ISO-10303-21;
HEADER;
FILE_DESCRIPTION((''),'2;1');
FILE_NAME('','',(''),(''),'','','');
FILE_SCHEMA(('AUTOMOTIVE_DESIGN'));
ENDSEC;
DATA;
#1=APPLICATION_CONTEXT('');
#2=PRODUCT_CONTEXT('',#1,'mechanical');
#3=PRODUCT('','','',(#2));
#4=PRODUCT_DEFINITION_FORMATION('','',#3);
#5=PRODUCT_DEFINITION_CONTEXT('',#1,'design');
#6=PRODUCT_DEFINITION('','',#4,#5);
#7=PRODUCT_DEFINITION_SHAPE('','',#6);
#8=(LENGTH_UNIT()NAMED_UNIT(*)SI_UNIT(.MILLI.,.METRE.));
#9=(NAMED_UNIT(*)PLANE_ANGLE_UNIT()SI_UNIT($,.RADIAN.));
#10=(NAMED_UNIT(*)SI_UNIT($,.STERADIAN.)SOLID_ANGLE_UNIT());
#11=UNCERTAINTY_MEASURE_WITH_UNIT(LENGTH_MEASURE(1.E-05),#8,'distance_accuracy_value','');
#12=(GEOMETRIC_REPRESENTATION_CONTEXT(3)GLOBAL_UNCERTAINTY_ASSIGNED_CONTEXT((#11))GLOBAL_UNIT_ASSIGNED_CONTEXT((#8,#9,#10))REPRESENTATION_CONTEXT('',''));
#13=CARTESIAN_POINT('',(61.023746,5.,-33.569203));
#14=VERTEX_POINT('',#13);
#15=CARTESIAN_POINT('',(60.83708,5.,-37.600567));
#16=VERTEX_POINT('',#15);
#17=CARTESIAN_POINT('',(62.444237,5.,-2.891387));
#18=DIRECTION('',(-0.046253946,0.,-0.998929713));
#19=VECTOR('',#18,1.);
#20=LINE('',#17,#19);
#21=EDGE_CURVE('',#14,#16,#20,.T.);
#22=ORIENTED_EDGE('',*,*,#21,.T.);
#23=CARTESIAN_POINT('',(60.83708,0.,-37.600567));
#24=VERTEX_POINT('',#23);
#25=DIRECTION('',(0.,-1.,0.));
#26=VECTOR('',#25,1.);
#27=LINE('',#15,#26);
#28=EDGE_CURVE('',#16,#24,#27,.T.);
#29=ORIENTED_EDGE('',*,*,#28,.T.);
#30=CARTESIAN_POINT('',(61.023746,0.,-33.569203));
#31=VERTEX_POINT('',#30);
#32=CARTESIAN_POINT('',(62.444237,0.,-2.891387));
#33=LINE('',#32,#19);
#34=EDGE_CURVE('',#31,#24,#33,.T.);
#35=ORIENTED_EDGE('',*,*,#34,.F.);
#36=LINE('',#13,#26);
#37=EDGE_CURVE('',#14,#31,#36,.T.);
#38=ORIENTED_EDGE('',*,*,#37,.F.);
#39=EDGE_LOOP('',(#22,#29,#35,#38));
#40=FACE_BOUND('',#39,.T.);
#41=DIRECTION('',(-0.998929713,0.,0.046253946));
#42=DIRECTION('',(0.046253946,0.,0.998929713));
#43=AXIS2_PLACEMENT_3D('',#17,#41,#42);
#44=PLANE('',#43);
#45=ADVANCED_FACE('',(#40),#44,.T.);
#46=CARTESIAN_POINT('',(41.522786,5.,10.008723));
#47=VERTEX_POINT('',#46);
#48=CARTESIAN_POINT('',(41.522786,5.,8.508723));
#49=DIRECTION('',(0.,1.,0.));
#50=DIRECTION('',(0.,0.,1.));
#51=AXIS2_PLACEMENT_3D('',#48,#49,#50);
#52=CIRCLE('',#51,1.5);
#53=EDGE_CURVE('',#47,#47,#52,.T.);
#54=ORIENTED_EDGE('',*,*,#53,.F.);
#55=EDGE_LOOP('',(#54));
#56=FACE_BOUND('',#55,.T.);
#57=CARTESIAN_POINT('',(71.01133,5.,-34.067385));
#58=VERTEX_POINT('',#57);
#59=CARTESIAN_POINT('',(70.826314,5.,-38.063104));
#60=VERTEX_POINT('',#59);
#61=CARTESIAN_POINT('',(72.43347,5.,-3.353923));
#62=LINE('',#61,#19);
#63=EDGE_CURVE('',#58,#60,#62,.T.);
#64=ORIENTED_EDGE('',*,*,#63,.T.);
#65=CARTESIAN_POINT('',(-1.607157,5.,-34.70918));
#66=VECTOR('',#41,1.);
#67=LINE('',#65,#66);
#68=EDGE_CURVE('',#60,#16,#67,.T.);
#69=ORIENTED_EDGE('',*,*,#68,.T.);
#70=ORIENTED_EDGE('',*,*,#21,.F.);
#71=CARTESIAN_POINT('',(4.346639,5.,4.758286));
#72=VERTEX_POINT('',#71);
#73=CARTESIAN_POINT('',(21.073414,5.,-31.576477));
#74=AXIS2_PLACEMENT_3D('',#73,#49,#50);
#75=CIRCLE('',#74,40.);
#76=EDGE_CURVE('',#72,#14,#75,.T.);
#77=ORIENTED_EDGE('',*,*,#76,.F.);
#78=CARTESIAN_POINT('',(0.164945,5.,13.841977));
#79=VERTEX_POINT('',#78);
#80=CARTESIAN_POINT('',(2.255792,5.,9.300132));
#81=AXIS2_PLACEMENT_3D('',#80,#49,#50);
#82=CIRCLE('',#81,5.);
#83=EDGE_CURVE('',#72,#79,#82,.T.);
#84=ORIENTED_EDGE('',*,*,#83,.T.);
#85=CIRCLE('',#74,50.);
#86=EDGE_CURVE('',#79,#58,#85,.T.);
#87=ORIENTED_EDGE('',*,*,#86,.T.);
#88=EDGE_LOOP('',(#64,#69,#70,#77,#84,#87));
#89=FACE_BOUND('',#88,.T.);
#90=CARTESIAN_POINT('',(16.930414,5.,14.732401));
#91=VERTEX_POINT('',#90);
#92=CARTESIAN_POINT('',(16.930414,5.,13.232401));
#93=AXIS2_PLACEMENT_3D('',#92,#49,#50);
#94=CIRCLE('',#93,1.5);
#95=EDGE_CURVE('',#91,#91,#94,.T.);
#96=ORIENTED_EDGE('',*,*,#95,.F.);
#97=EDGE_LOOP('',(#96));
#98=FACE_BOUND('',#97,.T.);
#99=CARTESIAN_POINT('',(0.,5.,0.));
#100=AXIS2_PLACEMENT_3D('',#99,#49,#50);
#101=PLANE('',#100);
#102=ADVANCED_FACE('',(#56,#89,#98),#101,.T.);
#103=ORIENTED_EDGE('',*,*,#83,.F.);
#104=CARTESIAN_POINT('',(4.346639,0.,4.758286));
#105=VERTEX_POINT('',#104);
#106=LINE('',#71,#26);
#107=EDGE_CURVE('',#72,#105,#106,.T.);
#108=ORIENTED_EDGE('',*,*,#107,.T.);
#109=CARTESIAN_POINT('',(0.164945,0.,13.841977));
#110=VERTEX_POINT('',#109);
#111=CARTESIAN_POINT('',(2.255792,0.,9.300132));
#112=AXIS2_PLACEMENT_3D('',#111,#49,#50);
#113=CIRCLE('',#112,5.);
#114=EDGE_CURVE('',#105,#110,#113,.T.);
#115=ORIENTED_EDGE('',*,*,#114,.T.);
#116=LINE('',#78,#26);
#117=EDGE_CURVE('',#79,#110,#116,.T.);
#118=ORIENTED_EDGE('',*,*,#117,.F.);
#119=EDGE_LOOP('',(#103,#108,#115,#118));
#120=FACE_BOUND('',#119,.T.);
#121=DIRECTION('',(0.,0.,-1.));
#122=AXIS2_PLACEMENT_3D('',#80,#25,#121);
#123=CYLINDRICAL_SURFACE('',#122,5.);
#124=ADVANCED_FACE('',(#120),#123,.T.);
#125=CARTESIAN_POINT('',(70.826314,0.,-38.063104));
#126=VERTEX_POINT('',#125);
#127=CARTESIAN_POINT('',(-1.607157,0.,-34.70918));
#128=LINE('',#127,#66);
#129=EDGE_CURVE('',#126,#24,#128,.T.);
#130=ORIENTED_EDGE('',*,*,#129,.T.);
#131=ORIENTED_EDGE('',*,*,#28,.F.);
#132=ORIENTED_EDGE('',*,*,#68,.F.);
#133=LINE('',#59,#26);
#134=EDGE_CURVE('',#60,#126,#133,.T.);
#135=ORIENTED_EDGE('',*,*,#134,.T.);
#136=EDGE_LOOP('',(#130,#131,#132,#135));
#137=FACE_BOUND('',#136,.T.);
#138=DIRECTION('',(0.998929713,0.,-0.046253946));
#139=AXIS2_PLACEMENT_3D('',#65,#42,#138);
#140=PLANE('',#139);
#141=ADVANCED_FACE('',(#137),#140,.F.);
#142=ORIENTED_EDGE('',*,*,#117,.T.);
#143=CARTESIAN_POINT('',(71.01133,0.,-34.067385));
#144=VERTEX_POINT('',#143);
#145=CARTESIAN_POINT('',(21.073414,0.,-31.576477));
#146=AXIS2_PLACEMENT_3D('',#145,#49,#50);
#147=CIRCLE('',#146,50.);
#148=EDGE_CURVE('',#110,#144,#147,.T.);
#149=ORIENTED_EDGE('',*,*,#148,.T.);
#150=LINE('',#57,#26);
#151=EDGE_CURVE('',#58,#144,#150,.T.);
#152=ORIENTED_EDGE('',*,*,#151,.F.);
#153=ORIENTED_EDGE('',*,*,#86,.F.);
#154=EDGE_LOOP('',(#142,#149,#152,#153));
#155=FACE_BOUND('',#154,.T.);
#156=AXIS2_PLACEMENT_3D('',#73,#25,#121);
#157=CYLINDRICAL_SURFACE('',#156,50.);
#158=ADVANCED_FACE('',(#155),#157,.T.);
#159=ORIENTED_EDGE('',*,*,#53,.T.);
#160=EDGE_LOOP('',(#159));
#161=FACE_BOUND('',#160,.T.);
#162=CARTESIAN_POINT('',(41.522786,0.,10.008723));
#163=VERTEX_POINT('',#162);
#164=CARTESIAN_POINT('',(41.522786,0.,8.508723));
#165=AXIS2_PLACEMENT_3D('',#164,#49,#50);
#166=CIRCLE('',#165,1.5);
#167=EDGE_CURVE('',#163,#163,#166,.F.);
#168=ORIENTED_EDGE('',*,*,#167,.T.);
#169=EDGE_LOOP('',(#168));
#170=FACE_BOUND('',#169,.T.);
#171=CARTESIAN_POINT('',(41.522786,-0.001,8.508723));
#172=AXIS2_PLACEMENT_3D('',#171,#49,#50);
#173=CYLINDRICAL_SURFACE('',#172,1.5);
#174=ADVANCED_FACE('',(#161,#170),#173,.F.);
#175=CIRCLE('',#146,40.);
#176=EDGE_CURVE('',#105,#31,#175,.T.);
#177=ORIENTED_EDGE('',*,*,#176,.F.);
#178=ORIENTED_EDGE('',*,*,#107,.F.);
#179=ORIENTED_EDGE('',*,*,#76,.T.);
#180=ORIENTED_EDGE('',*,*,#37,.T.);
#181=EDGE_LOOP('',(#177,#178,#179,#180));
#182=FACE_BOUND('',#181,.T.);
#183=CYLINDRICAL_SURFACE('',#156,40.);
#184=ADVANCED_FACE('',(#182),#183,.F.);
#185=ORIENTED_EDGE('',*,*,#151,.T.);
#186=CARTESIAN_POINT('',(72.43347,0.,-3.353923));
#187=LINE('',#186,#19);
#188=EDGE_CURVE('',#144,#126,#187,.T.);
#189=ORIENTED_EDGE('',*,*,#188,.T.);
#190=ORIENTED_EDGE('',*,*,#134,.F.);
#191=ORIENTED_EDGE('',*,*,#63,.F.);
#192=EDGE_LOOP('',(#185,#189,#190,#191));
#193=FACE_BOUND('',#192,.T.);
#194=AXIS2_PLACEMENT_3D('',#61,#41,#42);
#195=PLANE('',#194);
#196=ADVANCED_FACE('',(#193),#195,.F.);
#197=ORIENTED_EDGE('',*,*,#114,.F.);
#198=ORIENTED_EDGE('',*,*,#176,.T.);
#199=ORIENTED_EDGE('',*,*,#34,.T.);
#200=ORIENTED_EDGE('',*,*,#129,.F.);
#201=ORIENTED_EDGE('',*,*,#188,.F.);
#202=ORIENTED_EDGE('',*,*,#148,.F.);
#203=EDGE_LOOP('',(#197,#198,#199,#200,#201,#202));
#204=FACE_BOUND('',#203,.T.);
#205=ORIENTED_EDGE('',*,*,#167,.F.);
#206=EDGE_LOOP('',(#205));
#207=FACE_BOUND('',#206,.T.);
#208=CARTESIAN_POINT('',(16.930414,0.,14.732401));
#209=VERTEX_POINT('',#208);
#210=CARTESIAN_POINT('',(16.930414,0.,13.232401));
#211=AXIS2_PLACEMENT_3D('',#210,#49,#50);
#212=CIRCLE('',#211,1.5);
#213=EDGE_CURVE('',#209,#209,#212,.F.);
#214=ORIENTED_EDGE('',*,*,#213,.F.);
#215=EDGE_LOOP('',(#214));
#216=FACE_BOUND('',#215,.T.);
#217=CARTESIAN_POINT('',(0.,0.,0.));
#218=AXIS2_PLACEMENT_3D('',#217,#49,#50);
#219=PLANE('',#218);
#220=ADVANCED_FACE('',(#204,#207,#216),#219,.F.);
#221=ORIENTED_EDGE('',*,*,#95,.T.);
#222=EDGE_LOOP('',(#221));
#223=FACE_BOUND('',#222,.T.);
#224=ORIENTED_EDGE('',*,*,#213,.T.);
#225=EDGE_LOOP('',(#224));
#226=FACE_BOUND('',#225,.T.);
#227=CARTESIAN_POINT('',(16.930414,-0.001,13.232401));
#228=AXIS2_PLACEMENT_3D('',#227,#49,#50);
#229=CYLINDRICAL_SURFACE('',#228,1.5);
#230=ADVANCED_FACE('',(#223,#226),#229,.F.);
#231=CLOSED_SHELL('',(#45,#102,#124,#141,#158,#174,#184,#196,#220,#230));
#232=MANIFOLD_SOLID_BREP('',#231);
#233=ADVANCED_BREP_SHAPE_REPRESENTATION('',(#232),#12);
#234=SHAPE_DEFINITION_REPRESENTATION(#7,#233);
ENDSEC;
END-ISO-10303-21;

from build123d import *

# Parameters (mm, degrees)
EXTRUDE_1_DEPTH     = 5
CUT_EXTRUDE_1_REACH = 82.779
SKETCH_2_R          = 1.5


with BuildPart() as part:
    # 草图1 → 凸台-拉伸1 (new body)
    with BuildSketch(Plane(origin=(0, 0, 0), x_dir=(1, 0, 0), z_dir=(0, 1, 0))):
        with BuildLine():
            Line((61.023746461, 33.569203074), (60.837080184, 37.600567015))
            Line((60.837080184, 37.600567015), (70.826313722, 38.06310353))
            Line((70.826313722, 38.06310353), (71.011329506, 34.067384676))
            ThreePointArc((71.011329506, 34.067384676), (49.082411457, -9.842070835), (0.164945446, -13.841976975))
            ThreePointArc((0.164945446, -13.841976975), (-2.286053035, -7.209284728), (4.346639213, -4.758286247))
            ThreePointArc((4.346639213, -4.758286247), (43.480612021, -1.558361335), (61.023746461, 33.569203074))
        make_face()
    extrude(amount=EXTRUDE_1_DEPTH)

    # 草图2 → 切除-拉伸1 (cut, up to next)
    with BuildSketch(Plane(origin=(0, 5, 0), x_dir=(1, 0, 0), z_dir=(0, 1, 0)), mode=Mode.PRIVATE) as cut_extrude_1_sk1:
        with Locations(Location((16.930413815, -13.232401329, 0), (0, 0, 270))):
            Circle(SKETCH_2_R)
    cut_extrude_1_tool1 = extrude(cut_extrude_1_sk1.sketch, amount=-CUT_EXTRUDE_1_REACH, mode=Mode.PRIVATE) & part.part
    # 草图2 → 切除-拉伸1 (cut, up to next)
    with BuildSketch(Plane(origin=(0, 5, 0), x_dir=(1, 0, 0), z_dir=(0, 1, 0)), mode=Mode.PRIVATE) as cut_extrude_1_sk2:
        with Locations(Location((41.522785914, -8.508722595, 0), (0, 0, 270))):
            Circle(SKETCH_2_R)
    cut_extrude_1_tool2 = extrude(cut_extrude_1_sk2.sketch, amount=-CUT_EXTRUDE_1_REACH, mode=Mode.PRIVATE) & part.part
    add(cut_extrude_1_tool1.solids().sort_by_distance((16.930414, 5, 13.232401))[0], mode=Mode.SUBTRACT)
    add(cut_extrude_1_tool2.solids().sort_by_distance((41.522786, 5, 8.508723))[0], mode=Mode.SUBTRACT)


solid = part.part
